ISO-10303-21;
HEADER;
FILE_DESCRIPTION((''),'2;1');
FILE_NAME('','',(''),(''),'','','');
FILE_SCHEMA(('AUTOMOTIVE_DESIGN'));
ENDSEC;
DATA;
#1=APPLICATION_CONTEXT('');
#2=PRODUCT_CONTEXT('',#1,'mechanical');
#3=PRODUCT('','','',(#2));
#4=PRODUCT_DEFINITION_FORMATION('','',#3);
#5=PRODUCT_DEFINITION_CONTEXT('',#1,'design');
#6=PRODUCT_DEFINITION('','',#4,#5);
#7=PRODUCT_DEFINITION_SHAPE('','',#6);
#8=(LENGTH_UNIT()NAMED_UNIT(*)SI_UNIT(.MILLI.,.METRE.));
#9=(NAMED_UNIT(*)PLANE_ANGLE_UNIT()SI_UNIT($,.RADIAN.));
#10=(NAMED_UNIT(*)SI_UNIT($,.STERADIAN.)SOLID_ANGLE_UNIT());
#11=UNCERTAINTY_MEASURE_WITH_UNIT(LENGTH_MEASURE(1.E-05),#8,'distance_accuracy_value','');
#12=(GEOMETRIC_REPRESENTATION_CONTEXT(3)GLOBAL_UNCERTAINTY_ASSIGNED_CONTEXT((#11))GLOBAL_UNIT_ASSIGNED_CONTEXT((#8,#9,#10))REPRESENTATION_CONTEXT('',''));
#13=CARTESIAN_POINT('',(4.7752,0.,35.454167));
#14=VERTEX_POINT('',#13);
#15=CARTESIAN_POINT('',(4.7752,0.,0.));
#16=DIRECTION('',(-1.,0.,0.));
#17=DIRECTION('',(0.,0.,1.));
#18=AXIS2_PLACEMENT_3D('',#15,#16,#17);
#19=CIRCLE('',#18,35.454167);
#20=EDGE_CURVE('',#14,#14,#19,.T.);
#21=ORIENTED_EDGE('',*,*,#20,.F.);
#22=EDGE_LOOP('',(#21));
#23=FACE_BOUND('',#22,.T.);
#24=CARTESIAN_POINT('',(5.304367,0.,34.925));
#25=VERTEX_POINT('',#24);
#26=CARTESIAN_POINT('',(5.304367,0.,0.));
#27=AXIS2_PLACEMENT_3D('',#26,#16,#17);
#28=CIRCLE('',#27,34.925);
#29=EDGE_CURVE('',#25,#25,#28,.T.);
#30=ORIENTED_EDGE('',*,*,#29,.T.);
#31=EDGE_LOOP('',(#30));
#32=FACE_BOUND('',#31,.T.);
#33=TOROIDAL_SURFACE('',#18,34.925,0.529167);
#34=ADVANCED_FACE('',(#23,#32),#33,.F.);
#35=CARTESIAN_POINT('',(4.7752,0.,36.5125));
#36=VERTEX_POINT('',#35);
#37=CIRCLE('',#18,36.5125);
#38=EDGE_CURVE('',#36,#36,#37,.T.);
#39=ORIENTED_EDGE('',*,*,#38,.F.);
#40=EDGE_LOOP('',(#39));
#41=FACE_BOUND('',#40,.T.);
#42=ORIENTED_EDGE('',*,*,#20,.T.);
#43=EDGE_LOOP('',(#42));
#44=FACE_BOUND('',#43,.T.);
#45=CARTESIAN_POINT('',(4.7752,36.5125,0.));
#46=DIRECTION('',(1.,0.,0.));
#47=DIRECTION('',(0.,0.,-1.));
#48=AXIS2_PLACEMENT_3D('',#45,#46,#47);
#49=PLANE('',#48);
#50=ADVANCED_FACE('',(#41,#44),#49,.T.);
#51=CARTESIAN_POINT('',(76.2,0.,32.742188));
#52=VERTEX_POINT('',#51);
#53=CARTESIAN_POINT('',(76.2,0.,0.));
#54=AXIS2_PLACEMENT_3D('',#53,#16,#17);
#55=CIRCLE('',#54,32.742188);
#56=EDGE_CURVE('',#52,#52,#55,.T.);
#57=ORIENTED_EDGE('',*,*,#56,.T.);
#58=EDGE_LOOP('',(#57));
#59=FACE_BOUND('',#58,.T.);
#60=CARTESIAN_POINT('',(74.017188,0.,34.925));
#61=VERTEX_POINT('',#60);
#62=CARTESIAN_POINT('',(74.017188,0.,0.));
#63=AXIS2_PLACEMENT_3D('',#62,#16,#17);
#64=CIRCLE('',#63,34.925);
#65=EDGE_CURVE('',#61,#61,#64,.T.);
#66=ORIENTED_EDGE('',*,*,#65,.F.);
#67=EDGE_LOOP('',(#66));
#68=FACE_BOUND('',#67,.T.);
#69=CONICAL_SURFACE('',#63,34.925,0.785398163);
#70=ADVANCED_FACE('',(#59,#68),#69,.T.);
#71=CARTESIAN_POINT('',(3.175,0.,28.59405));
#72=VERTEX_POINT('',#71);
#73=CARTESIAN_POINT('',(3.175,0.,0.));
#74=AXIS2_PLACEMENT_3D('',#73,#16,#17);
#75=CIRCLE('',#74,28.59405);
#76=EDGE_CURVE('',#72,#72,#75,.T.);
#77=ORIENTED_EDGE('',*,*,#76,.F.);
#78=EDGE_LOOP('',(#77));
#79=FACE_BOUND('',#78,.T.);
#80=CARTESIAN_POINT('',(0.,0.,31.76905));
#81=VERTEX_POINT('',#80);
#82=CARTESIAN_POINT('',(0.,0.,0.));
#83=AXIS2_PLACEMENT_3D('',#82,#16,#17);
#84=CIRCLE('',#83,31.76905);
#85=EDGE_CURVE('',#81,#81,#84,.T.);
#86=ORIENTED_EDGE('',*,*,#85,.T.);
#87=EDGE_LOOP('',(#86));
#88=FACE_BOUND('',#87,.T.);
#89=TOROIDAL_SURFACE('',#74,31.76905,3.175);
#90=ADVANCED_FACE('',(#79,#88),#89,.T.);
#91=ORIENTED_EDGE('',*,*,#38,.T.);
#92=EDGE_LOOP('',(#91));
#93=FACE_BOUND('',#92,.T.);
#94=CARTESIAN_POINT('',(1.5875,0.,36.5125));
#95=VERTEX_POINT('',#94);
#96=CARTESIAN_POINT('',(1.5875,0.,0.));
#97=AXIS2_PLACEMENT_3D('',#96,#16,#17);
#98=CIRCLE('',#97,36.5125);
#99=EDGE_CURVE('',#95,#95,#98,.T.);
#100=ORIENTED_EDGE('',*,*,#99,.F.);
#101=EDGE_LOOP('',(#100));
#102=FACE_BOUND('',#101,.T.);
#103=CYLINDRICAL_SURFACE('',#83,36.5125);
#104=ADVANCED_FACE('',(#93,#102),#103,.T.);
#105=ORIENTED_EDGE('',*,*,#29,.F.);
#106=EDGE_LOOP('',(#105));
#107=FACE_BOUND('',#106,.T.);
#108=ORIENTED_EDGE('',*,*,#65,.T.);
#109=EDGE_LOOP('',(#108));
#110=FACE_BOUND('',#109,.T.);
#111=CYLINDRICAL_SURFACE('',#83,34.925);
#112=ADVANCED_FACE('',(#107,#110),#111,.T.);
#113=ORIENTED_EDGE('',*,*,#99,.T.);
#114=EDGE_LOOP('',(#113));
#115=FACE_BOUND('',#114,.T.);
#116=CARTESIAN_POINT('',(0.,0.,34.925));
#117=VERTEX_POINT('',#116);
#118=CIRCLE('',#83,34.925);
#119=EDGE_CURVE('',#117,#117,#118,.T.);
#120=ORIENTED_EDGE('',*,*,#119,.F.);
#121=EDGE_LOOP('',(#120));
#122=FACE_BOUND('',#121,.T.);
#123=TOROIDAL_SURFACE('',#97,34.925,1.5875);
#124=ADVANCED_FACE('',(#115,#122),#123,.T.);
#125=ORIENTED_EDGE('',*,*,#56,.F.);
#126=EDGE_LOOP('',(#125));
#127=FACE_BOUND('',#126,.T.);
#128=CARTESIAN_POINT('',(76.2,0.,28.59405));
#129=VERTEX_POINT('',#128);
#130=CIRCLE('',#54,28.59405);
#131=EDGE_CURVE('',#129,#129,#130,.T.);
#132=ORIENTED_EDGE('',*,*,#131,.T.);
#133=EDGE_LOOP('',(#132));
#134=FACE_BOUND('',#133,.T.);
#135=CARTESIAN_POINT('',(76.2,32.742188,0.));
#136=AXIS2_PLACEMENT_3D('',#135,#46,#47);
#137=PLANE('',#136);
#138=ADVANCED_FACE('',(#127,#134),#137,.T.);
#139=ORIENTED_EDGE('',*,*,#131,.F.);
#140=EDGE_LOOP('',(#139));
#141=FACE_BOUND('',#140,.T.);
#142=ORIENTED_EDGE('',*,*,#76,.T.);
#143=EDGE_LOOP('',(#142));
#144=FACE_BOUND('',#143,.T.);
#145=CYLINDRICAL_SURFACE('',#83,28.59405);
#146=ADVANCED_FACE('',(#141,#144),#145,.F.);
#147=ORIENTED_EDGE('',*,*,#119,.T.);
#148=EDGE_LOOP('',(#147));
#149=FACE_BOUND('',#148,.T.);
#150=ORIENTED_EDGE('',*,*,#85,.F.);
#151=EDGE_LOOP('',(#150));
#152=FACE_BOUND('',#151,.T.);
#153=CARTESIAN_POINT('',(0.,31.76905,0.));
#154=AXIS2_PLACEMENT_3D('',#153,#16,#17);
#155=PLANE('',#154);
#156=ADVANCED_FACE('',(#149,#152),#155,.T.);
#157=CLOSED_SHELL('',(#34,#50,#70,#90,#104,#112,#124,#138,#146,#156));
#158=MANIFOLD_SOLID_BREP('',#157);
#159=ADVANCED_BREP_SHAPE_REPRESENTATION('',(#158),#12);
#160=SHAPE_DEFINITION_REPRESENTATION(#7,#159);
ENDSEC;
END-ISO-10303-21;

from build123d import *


with BuildPart() as part:
    # Sketch1 → BaseBody (revolve)
    with BuildSketch(Plane.XY, mode=Mode.PRIVATE) as basebody_sk:
        with BuildLine():
            Line((0, 31.76905), (0, 34.925))
            ThreePointArc((0, 34.925), (0.464967985, 36.047532015), (1.5875, 36.5125))
            Line((1.5875, 36.5125), (4.7752, 36.5125))
            Line((4.7752, 36.5125), (4.7752, 35.454166667))
            ThreePointArc((4.7752, 35.454166667), (4.401022662, 34.550822662), (5.304366667, 34.925))
            Line((5.304366667, 34.925), (74.0171875, 34.925))
            Line((74.0171875, 34.925), (76.2, 32.7421875))
            Line((76.2, 32.7421875), (76.2, 28.59405))
            Line((76.2, 28.59405), (3.175, 28.59405))
            ThreePointArc((3.175, 28.59405), (0.92993597, 29.52398597), (0, 31.76905))
        make_face()
    revolve(basebody_sk.sketch.rotate(Axis((0, 0, 0), (1, 0, 0)), 90), axis=Axis((0, 0, 0), (1, 0, 0)))


solid = part.part
